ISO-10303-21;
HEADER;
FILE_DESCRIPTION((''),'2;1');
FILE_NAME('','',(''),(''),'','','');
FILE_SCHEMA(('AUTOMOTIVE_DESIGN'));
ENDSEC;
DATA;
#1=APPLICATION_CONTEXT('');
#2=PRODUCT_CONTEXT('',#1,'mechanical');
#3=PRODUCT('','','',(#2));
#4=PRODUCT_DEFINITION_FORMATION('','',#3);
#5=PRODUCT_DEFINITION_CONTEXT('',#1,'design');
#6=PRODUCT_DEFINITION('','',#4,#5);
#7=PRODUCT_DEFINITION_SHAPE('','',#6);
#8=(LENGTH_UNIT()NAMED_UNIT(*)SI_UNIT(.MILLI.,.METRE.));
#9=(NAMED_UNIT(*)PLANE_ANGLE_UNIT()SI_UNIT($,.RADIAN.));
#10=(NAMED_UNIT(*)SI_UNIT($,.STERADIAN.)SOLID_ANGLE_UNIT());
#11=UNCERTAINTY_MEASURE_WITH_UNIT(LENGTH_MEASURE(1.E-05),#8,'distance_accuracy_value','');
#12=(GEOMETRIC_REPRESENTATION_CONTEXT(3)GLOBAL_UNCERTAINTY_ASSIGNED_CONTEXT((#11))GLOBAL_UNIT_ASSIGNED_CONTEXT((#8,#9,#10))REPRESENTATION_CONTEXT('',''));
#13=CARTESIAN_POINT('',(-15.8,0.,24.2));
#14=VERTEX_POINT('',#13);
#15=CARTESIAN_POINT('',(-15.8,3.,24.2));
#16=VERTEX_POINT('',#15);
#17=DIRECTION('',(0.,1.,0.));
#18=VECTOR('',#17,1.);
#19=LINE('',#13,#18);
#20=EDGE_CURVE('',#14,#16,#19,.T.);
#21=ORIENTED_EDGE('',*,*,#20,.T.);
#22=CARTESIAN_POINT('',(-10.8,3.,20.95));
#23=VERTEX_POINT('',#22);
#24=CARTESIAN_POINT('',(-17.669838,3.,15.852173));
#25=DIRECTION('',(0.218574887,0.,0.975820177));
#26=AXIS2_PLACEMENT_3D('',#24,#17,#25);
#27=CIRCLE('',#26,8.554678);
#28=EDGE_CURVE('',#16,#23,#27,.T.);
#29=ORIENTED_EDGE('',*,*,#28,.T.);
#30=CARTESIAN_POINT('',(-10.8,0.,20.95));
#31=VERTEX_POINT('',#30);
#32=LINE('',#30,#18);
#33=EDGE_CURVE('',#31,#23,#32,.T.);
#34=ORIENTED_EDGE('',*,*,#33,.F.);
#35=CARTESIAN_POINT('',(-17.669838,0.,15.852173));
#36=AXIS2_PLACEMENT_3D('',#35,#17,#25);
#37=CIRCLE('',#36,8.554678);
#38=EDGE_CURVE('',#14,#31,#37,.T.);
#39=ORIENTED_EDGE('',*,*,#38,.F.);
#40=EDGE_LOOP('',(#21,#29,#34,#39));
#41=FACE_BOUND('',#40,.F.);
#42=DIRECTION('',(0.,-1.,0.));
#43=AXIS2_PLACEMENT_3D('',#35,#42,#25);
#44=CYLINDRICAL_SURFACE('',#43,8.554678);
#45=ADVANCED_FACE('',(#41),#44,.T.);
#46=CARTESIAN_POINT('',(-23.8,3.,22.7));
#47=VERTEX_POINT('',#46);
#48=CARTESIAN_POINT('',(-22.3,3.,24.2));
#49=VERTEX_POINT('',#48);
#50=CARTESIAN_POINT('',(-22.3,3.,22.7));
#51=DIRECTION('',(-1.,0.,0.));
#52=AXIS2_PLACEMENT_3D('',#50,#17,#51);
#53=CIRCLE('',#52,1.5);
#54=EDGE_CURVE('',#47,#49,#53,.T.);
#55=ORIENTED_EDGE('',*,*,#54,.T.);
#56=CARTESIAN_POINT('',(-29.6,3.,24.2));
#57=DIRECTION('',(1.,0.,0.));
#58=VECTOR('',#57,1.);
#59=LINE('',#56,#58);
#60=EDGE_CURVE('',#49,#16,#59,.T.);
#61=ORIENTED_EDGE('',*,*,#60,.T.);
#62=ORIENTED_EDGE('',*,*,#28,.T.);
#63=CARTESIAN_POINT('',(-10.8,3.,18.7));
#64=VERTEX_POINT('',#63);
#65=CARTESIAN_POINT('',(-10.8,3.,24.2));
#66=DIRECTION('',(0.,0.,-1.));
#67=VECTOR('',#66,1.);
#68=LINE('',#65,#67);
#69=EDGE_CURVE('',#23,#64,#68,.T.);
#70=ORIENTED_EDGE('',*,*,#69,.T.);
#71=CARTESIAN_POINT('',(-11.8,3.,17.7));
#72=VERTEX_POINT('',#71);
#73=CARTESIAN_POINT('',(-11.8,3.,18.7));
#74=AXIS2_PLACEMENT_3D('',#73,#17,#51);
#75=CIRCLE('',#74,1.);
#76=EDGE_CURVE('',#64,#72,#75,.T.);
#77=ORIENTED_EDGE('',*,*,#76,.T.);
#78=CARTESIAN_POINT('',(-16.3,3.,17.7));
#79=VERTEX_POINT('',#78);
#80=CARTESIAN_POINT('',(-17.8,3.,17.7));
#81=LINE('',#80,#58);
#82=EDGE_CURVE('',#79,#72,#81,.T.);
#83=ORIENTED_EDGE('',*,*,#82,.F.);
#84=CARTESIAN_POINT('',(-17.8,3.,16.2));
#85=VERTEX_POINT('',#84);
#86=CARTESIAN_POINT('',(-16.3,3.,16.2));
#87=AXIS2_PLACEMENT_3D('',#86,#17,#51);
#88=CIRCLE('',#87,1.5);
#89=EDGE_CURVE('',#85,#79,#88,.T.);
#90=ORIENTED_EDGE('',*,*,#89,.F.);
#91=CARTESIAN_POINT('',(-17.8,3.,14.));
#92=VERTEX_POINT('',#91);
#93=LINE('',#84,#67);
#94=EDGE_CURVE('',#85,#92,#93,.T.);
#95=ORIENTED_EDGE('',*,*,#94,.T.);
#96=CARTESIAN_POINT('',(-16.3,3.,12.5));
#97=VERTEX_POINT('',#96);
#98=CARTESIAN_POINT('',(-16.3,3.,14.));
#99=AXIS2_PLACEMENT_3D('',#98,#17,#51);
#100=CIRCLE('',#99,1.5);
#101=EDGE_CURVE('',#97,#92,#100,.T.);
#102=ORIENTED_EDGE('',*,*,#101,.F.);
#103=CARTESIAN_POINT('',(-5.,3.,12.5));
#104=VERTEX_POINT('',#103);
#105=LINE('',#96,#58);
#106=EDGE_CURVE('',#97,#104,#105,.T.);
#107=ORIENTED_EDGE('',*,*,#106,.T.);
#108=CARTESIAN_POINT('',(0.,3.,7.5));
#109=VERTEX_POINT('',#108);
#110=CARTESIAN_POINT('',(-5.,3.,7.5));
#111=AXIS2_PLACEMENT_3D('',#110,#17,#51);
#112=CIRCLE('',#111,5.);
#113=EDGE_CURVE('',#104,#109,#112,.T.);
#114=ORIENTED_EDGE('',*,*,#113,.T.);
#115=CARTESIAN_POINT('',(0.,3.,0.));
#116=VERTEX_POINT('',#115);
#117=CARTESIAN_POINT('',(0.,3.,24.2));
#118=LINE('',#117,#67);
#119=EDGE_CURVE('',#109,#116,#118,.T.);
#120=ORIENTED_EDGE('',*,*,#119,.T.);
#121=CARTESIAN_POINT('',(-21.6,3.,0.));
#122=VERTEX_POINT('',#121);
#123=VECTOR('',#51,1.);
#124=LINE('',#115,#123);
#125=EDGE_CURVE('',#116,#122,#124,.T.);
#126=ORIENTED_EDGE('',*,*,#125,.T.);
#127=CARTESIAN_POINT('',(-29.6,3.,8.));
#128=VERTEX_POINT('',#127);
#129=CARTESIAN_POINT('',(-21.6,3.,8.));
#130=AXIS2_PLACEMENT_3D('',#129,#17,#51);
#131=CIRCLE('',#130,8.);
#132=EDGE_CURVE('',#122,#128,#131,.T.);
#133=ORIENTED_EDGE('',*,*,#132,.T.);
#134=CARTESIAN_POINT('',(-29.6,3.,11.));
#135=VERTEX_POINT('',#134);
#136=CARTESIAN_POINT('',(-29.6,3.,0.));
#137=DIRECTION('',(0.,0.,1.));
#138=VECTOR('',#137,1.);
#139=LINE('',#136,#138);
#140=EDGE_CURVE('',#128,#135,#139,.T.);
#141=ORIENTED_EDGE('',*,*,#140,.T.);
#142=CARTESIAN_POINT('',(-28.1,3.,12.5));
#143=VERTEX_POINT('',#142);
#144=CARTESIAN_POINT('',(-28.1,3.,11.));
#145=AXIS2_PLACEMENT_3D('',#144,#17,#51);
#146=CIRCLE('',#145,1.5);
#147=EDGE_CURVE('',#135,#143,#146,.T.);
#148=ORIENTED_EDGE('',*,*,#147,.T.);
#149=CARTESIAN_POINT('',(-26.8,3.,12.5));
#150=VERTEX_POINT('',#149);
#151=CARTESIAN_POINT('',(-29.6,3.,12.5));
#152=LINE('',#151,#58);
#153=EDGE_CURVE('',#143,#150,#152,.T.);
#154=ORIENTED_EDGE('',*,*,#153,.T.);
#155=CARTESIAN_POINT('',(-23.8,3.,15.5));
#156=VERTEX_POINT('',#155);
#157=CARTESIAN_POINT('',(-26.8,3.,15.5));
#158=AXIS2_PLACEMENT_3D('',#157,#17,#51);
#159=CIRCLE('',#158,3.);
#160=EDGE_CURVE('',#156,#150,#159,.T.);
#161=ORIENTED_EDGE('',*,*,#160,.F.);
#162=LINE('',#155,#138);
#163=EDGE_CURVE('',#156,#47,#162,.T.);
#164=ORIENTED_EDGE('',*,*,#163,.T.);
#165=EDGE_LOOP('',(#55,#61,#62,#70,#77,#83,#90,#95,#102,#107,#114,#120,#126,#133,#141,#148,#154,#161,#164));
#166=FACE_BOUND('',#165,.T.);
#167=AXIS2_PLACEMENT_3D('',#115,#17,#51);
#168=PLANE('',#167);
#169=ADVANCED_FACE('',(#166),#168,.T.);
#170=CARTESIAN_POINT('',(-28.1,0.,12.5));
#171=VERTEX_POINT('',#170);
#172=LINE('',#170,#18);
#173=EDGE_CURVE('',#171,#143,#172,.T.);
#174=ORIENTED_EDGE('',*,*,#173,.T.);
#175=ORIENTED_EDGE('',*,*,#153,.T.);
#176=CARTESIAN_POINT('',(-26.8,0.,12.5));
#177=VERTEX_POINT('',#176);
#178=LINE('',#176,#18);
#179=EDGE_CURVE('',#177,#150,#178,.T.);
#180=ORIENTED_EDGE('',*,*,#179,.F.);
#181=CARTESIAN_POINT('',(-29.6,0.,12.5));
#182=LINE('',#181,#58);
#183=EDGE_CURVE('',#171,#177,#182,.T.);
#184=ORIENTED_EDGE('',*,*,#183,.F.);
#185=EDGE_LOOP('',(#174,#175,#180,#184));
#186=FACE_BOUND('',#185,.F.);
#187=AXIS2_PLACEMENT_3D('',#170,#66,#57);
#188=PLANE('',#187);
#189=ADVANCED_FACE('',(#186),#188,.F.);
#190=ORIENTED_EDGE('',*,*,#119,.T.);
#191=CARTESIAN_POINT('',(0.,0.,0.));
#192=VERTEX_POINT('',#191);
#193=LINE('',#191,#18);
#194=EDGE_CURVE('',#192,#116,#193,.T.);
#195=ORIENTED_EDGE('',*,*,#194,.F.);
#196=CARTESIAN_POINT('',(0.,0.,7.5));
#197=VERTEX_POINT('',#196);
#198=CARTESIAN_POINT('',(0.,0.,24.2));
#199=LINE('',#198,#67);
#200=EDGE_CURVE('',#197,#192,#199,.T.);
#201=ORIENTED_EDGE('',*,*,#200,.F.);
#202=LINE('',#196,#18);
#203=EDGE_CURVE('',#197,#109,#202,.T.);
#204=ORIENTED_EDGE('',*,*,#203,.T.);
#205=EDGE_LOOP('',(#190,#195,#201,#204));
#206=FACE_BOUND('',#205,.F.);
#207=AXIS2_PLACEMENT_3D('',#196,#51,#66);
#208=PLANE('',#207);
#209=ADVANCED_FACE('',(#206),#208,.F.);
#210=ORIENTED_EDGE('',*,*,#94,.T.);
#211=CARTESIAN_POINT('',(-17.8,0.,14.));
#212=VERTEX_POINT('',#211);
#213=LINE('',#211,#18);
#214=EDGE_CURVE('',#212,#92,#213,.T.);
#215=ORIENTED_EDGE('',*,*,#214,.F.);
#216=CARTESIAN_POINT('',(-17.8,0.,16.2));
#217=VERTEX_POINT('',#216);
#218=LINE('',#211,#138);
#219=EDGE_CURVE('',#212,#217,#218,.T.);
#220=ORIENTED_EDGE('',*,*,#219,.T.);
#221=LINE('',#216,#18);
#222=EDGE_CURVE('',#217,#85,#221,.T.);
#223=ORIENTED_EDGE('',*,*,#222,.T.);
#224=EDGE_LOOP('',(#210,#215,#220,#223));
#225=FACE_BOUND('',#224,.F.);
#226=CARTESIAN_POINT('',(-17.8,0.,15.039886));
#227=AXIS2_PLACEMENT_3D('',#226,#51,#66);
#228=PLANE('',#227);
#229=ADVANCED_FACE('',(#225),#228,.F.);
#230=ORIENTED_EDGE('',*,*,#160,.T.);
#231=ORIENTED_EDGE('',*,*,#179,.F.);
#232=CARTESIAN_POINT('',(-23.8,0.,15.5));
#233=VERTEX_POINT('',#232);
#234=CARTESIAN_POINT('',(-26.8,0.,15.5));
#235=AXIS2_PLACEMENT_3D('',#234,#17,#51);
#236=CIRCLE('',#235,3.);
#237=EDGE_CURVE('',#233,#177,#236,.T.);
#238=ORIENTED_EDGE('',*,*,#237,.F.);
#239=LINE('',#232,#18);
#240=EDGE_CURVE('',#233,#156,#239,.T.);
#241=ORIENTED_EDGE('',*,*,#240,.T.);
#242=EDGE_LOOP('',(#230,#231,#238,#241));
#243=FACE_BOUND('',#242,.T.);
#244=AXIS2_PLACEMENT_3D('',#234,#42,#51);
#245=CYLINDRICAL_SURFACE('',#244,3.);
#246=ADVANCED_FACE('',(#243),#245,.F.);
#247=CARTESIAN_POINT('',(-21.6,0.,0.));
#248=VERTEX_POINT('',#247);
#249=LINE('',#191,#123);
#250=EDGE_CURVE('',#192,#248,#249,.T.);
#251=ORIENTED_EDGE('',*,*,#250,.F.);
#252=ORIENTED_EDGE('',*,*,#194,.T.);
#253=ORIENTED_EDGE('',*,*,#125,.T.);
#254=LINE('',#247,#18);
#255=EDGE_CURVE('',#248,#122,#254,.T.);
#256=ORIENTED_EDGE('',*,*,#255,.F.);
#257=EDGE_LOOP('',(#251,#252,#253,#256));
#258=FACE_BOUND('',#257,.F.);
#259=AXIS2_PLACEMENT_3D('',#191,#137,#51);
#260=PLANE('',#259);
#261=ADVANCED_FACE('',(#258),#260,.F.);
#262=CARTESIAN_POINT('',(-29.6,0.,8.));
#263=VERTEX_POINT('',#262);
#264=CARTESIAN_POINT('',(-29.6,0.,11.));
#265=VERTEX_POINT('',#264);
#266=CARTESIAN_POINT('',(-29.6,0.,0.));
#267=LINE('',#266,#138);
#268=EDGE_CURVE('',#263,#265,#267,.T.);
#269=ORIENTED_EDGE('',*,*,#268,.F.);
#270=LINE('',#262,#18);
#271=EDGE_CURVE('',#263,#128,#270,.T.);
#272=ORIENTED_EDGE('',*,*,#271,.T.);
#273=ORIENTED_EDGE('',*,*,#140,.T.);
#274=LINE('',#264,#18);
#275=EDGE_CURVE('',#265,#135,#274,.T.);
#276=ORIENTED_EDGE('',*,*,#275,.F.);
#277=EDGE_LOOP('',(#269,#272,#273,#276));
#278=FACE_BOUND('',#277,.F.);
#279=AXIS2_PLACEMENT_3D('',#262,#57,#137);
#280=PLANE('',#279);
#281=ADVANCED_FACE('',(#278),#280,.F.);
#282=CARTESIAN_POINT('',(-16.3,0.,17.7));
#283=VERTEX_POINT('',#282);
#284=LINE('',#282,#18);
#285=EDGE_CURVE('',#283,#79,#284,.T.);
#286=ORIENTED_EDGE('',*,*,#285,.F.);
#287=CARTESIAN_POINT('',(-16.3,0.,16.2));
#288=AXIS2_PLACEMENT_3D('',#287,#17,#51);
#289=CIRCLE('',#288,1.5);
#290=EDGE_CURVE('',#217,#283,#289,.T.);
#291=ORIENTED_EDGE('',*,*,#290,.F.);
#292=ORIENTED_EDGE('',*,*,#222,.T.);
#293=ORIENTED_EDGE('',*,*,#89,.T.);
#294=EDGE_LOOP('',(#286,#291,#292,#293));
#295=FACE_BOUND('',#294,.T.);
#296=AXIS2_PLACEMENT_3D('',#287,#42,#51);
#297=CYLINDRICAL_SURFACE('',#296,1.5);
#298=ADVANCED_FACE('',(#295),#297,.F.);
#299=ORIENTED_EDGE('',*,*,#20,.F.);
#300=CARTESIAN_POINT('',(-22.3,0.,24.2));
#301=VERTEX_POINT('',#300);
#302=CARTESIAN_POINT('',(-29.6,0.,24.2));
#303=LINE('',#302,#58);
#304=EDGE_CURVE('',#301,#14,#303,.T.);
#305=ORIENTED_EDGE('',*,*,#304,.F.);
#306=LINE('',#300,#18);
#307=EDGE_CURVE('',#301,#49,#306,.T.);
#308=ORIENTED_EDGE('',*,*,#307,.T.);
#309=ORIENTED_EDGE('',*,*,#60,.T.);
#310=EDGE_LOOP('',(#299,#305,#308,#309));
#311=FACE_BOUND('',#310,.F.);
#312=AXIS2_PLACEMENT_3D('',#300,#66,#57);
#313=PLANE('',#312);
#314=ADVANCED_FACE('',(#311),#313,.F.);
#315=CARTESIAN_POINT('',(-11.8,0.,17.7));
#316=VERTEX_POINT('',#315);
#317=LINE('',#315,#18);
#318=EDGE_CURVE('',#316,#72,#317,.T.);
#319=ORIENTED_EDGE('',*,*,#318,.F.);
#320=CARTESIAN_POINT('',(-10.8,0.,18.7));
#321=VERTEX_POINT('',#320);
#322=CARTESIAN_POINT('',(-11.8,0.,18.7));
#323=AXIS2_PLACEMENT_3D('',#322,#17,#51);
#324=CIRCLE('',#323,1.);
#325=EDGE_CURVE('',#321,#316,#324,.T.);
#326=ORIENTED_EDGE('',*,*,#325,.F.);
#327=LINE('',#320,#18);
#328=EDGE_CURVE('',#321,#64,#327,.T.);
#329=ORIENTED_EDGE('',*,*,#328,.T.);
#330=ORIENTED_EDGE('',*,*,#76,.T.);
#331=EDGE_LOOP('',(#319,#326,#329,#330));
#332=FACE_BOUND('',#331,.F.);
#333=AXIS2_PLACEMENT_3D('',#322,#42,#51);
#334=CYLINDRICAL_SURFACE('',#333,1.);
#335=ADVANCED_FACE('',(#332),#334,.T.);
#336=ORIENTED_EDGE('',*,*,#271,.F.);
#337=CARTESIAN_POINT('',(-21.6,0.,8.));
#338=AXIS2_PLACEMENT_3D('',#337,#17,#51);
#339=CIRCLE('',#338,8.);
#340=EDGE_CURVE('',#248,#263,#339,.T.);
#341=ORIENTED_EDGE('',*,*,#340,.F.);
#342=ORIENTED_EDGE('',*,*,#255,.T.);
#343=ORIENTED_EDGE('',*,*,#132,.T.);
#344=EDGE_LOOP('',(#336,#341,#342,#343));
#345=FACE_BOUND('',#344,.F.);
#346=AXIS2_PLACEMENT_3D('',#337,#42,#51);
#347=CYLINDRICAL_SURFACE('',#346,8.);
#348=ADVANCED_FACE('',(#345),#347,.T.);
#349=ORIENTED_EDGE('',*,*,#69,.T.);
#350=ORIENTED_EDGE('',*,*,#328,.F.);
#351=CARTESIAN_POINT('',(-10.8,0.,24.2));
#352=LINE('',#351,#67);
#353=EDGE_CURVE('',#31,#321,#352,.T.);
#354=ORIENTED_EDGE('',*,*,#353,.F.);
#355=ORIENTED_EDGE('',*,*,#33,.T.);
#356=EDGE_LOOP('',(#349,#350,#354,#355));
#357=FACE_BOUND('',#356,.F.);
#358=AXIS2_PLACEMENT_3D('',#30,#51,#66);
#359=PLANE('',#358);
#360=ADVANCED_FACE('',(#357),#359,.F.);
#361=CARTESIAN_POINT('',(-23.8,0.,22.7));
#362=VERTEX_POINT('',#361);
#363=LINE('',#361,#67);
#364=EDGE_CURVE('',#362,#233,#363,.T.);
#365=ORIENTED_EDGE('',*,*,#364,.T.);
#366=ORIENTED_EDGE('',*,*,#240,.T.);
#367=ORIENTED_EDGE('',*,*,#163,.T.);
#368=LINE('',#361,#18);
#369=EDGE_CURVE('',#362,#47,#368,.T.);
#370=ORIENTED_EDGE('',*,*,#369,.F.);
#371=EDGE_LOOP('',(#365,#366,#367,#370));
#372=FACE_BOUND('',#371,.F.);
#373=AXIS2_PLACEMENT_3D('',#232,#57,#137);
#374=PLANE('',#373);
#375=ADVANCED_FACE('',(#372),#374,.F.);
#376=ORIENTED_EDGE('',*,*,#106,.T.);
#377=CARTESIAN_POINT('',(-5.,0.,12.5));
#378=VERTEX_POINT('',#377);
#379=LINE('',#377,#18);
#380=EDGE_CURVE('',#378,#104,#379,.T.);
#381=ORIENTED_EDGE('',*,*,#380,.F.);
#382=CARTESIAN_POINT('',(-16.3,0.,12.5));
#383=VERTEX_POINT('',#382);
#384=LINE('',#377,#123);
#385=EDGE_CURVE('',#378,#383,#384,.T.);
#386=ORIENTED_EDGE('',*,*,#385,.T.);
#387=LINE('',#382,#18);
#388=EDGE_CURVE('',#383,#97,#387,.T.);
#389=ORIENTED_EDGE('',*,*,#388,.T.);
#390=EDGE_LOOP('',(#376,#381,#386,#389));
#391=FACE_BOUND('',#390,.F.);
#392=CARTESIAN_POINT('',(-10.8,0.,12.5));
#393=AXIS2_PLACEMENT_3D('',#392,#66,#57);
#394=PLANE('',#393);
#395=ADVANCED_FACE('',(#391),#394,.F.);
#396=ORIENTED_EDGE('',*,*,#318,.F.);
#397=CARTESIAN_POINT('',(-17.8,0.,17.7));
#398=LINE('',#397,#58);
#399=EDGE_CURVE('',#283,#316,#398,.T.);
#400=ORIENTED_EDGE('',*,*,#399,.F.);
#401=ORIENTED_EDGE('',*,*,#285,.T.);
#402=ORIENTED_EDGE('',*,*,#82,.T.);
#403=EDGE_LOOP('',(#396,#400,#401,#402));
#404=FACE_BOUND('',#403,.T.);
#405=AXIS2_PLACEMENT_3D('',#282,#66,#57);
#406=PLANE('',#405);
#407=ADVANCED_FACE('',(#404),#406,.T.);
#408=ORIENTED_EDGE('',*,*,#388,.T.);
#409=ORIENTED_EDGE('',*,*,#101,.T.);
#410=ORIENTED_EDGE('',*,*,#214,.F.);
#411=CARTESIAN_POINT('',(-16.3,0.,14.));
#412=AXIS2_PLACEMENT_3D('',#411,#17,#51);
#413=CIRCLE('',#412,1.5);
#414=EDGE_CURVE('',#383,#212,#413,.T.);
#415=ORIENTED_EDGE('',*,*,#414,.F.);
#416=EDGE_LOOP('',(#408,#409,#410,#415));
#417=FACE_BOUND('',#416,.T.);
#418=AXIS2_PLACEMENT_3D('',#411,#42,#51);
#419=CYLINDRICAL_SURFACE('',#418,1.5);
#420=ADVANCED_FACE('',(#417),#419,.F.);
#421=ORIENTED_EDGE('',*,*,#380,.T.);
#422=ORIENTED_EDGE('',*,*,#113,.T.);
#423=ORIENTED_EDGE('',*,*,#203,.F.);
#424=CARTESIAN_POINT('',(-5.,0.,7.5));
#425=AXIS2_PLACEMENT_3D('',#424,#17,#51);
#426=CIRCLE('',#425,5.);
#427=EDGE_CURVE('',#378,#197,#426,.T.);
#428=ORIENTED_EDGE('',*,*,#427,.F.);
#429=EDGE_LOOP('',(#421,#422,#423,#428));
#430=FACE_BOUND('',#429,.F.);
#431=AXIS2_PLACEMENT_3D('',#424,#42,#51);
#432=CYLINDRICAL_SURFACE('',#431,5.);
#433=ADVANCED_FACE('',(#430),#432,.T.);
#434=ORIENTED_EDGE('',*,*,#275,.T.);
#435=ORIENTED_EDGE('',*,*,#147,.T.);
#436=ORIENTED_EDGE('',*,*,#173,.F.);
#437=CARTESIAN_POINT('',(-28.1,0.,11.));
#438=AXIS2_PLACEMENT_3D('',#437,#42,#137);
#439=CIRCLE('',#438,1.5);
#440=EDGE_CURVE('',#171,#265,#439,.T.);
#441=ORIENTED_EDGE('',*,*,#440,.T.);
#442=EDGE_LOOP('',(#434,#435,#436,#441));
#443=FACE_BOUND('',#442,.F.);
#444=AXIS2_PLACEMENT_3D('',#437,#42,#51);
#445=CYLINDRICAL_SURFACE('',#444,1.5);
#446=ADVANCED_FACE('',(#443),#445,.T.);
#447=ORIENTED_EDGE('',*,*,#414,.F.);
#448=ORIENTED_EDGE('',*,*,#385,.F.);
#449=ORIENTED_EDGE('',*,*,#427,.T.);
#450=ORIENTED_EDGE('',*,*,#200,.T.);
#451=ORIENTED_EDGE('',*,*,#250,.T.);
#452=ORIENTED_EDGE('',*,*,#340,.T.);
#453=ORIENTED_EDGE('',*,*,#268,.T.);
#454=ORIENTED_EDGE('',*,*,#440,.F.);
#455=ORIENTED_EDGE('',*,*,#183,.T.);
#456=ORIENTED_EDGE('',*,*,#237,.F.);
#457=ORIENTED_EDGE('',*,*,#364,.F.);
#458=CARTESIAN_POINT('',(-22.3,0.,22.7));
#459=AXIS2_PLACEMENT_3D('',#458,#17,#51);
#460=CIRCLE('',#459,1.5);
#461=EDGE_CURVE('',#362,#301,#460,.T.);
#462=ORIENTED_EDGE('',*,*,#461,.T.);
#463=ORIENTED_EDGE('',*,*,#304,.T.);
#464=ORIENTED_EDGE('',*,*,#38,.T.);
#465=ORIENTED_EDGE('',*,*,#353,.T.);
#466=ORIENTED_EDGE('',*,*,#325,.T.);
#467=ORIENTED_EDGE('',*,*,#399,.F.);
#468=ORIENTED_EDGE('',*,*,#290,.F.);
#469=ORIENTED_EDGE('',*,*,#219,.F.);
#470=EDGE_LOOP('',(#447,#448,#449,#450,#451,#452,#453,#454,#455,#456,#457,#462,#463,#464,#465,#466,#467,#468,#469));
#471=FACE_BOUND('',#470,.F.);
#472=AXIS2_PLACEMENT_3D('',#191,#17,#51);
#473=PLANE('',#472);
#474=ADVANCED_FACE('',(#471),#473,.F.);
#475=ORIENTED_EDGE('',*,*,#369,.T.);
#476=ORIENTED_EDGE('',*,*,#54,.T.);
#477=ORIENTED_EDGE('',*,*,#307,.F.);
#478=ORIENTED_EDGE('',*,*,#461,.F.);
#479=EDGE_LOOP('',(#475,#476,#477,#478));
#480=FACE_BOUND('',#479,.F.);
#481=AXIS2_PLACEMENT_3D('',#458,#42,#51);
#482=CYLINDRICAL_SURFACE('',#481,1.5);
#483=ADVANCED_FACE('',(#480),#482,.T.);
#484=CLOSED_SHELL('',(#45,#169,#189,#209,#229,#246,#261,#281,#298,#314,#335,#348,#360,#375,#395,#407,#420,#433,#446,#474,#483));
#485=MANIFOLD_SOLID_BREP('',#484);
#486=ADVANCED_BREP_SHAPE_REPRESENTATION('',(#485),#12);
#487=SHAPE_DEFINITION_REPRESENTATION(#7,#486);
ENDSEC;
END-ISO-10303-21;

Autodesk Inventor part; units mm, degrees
ref_plane "YZ Plane" through (0, 0, 0) normal (1, 0, 0) x (0, 1, 0)
ref_plane "XZ Plane" through (0, 0, 0) normal (0, 1, 0) x (-1, 0, 0)
ref_plane "XY Plane" through (0, 0, 0) normal (0, 0, 1) x (1, 0, 0)
sketch "Sketch1" plane through (0, 0, 0) normal (0, 1, 0) x (-1, 0, 0)
  line L0 (0, 0) -> (29.6, 0)
  line L1 (29.6, 0) -> (29.6, 24.2)
  line L2 (29.6, 24.2) -> (0, 24.2)
  line L3 (0, 24.2) -> (0, 0)
  line L4 (29.6, 12.5) -> (0, 12.5)
  line L5 (0, 12.5) -> (0, 0)
  line L6 (0, 0) -> (29.6, 0)
  line L7 (29.6, 0) -> (29.6, 12.5)
  line L8 (23.8, 24.2) -> (10.8, 24.2)
  line L9 (10.8, 24.2) -> (10.8, 12.5)
  line L10 (10.8, 12.5) -> (23.8, 12.5)
  line L11 (23.8, 12.5) -> (23.8, 24.2)
  line L12 (23.8, 17.7) -> (17.8, 17.7)
  line L13 (17.8, 17.7) -> (17.8, 12.5)
  line L14 (17.8, 12.5) -> (23.8, 12.5)
  line L15 (23.8, 12.5) -> (23.8, 17.7)
  line L16 (17.8, 17.7) -> (10.8, 17.7)
  line L17 (10.8, 17.7) -> (10.8, 12.5)
  line L18 (10.8, 12.5) -> (17.8, 12.5)
  line L19 (17.8, 12.5) -> (17.8, 17.7)
  circle A0 centre (21.6, 8) radius 8
  circle A1 centre (5, 7.5) radius 5
  circle A2 centre (16.3, 14) radius 1.5
  circle A3 centre (16.3, 16.2) radius 1.5
  circle A4 centre (26.8, 15.5) radius 3
  circle A5 centre (22.3, 22.7) radius 1.5
  circle A6 centre (11.8, 18.7) radius 1
  line L20 (10.8, 24.2) -> (15.8, 24.2)
  line L21 (15.8, 24.2) -> (15.8, 20.95)
  line L22 (15.8, 20.95) -> (10.8, 20.95)
  line L23 (10.8, 20.95) -> (10.8, 24.2)
  arc A7 (15.8, 24.2) -> (10.8, 20.95) centre (17.6697, 15.8525) ccw
  circle A8 centre (28.1, 11) radius 1.5
  point P0 (17.8, 14)
  point P1 (16.3, 12.5)
  point P2 (5, 12.5)
  point P3 (0, 7.5)
  point P4 (21.6, 0)
  point P5 (29.6, 8)
  point P6 (26.8, 12.5)
  point P7 (23.8, 15.5)
  point P8 (23.8, 22.7)
  point P9 (22.3, 24.2)
  point P10 (10.8, 18.7)
  point P11 (11.8, 17.7)
  point P12 (16.3, 17.7)
  point P13 (17.8, 16.2)
  point P14 (29.6, 11)
  point P15 (28.1, 12.5)
  dimension "d0" = 24.2
  dimension "d1" = 29.6
  dimension "d2" = 11.7
  dimension "d3" = 5.8
  dimension "d4" = 13
  dimension "d5" = 6.5
  dimension "d6" = 6
  dimension "d7" = 16
  dimension "d8" = 8
  dimension "d9" = 8
  dimension "d10" = 10
  dimension "d11" = 5
  dimension "d12" = 5
  dimension "d13" = 3
  dimension "d14" = 3
  dimension "d15" = 1.5
  dimension "d16" = 1.5
  dimension "d17" = 1.5
  dimension "d18" = 1.5
  dimension "d19" = 6
  dimension "d20" = 3
  dimension "d21" = 3
  dimension "d23" = 1.5
  dimension "d24" = 1.5
  dimension "d25" = 2
  dimension "d26" = 1
  dimension "d27" = 1
  dimension "d28" = 5
  dimension "d29" = 3.25
  dimension "d32" = 3
  dimension "d33" = 1.5
  dimension "d34" = 1.5
  dimension "d35" = 12.5
  dimension "d36" = 3
extrude "Extrusion1" add sketch "Sketch1" along normal blind 3 contours L3 A1 L4 A0 L0 | A0 L4 A8 | A1 | A0 A8 L1 | A2 L13 L4 | A8 A0 | A8 A0 | L13 A0 L11 L4 | L11 A4 L4 | L13 L12 L11 A0 | L9 L22 L21 L2 A5 L11 L12 L16 A6 | A6 | L16 L13 A3 | L21 L22 A7 | A5 picked at (19.8309, 8.6369)
properties part number "Pi_mount_newupper"
